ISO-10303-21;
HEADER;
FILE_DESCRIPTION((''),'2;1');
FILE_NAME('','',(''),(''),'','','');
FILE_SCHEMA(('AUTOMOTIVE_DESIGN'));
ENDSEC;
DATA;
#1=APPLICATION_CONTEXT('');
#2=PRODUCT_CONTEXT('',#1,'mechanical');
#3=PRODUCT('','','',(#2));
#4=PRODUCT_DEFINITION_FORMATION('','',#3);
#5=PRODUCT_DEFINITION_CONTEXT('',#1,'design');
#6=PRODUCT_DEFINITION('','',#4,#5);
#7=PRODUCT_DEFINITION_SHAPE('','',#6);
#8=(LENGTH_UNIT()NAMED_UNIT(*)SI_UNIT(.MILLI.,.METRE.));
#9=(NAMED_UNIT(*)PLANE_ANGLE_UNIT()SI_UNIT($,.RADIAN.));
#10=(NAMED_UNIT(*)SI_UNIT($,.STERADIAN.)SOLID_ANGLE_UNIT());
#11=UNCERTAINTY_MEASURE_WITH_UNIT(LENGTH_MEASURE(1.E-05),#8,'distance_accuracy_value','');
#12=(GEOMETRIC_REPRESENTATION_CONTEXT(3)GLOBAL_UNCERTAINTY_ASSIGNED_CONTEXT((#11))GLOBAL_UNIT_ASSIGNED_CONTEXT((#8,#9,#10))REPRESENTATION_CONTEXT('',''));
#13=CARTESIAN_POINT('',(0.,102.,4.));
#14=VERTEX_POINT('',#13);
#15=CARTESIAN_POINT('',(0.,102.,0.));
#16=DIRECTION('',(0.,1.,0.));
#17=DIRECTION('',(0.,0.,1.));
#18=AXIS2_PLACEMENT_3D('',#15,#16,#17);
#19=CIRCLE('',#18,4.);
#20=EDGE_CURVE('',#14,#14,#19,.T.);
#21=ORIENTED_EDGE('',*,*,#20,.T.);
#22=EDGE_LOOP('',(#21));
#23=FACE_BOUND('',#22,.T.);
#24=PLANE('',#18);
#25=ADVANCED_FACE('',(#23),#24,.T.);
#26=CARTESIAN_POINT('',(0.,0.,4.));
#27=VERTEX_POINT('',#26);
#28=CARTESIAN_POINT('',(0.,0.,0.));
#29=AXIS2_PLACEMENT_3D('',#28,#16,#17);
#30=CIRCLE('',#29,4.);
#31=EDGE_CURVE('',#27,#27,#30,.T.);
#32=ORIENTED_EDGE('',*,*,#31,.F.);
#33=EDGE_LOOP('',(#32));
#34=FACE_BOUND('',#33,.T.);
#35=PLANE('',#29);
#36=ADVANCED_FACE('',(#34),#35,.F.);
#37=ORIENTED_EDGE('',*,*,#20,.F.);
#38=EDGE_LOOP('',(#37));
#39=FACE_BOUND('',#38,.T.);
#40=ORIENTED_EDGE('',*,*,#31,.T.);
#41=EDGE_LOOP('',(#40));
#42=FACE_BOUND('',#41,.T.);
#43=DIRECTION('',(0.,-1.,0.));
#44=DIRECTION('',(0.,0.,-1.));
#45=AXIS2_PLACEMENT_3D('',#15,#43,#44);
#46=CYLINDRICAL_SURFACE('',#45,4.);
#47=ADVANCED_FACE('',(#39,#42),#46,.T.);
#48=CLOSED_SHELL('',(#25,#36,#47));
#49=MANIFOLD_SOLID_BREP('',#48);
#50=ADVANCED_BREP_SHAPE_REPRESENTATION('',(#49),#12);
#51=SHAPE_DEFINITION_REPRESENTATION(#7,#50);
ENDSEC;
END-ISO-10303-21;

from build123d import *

# Parameters (mm, degrees)
SKETCH1_R           = 4
BOSS_EXTRUDE1_DEPTH = 102


with BuildPart() as part:
    # Sketch1 → Boss-Extrude1 (new body)
    with BuildSketch(Plane(origin=(0, 0, 0), x_dir=(1, 0, 0), z_dir=(0, 1, 0))):
        with Locations(Location((0, 0, 0), (0, 0, 270))):
            Circle(SKETCH1_R)
    extrude(amount=BOSS_EXTRUDE1_DEPTH)


solid = part.part
